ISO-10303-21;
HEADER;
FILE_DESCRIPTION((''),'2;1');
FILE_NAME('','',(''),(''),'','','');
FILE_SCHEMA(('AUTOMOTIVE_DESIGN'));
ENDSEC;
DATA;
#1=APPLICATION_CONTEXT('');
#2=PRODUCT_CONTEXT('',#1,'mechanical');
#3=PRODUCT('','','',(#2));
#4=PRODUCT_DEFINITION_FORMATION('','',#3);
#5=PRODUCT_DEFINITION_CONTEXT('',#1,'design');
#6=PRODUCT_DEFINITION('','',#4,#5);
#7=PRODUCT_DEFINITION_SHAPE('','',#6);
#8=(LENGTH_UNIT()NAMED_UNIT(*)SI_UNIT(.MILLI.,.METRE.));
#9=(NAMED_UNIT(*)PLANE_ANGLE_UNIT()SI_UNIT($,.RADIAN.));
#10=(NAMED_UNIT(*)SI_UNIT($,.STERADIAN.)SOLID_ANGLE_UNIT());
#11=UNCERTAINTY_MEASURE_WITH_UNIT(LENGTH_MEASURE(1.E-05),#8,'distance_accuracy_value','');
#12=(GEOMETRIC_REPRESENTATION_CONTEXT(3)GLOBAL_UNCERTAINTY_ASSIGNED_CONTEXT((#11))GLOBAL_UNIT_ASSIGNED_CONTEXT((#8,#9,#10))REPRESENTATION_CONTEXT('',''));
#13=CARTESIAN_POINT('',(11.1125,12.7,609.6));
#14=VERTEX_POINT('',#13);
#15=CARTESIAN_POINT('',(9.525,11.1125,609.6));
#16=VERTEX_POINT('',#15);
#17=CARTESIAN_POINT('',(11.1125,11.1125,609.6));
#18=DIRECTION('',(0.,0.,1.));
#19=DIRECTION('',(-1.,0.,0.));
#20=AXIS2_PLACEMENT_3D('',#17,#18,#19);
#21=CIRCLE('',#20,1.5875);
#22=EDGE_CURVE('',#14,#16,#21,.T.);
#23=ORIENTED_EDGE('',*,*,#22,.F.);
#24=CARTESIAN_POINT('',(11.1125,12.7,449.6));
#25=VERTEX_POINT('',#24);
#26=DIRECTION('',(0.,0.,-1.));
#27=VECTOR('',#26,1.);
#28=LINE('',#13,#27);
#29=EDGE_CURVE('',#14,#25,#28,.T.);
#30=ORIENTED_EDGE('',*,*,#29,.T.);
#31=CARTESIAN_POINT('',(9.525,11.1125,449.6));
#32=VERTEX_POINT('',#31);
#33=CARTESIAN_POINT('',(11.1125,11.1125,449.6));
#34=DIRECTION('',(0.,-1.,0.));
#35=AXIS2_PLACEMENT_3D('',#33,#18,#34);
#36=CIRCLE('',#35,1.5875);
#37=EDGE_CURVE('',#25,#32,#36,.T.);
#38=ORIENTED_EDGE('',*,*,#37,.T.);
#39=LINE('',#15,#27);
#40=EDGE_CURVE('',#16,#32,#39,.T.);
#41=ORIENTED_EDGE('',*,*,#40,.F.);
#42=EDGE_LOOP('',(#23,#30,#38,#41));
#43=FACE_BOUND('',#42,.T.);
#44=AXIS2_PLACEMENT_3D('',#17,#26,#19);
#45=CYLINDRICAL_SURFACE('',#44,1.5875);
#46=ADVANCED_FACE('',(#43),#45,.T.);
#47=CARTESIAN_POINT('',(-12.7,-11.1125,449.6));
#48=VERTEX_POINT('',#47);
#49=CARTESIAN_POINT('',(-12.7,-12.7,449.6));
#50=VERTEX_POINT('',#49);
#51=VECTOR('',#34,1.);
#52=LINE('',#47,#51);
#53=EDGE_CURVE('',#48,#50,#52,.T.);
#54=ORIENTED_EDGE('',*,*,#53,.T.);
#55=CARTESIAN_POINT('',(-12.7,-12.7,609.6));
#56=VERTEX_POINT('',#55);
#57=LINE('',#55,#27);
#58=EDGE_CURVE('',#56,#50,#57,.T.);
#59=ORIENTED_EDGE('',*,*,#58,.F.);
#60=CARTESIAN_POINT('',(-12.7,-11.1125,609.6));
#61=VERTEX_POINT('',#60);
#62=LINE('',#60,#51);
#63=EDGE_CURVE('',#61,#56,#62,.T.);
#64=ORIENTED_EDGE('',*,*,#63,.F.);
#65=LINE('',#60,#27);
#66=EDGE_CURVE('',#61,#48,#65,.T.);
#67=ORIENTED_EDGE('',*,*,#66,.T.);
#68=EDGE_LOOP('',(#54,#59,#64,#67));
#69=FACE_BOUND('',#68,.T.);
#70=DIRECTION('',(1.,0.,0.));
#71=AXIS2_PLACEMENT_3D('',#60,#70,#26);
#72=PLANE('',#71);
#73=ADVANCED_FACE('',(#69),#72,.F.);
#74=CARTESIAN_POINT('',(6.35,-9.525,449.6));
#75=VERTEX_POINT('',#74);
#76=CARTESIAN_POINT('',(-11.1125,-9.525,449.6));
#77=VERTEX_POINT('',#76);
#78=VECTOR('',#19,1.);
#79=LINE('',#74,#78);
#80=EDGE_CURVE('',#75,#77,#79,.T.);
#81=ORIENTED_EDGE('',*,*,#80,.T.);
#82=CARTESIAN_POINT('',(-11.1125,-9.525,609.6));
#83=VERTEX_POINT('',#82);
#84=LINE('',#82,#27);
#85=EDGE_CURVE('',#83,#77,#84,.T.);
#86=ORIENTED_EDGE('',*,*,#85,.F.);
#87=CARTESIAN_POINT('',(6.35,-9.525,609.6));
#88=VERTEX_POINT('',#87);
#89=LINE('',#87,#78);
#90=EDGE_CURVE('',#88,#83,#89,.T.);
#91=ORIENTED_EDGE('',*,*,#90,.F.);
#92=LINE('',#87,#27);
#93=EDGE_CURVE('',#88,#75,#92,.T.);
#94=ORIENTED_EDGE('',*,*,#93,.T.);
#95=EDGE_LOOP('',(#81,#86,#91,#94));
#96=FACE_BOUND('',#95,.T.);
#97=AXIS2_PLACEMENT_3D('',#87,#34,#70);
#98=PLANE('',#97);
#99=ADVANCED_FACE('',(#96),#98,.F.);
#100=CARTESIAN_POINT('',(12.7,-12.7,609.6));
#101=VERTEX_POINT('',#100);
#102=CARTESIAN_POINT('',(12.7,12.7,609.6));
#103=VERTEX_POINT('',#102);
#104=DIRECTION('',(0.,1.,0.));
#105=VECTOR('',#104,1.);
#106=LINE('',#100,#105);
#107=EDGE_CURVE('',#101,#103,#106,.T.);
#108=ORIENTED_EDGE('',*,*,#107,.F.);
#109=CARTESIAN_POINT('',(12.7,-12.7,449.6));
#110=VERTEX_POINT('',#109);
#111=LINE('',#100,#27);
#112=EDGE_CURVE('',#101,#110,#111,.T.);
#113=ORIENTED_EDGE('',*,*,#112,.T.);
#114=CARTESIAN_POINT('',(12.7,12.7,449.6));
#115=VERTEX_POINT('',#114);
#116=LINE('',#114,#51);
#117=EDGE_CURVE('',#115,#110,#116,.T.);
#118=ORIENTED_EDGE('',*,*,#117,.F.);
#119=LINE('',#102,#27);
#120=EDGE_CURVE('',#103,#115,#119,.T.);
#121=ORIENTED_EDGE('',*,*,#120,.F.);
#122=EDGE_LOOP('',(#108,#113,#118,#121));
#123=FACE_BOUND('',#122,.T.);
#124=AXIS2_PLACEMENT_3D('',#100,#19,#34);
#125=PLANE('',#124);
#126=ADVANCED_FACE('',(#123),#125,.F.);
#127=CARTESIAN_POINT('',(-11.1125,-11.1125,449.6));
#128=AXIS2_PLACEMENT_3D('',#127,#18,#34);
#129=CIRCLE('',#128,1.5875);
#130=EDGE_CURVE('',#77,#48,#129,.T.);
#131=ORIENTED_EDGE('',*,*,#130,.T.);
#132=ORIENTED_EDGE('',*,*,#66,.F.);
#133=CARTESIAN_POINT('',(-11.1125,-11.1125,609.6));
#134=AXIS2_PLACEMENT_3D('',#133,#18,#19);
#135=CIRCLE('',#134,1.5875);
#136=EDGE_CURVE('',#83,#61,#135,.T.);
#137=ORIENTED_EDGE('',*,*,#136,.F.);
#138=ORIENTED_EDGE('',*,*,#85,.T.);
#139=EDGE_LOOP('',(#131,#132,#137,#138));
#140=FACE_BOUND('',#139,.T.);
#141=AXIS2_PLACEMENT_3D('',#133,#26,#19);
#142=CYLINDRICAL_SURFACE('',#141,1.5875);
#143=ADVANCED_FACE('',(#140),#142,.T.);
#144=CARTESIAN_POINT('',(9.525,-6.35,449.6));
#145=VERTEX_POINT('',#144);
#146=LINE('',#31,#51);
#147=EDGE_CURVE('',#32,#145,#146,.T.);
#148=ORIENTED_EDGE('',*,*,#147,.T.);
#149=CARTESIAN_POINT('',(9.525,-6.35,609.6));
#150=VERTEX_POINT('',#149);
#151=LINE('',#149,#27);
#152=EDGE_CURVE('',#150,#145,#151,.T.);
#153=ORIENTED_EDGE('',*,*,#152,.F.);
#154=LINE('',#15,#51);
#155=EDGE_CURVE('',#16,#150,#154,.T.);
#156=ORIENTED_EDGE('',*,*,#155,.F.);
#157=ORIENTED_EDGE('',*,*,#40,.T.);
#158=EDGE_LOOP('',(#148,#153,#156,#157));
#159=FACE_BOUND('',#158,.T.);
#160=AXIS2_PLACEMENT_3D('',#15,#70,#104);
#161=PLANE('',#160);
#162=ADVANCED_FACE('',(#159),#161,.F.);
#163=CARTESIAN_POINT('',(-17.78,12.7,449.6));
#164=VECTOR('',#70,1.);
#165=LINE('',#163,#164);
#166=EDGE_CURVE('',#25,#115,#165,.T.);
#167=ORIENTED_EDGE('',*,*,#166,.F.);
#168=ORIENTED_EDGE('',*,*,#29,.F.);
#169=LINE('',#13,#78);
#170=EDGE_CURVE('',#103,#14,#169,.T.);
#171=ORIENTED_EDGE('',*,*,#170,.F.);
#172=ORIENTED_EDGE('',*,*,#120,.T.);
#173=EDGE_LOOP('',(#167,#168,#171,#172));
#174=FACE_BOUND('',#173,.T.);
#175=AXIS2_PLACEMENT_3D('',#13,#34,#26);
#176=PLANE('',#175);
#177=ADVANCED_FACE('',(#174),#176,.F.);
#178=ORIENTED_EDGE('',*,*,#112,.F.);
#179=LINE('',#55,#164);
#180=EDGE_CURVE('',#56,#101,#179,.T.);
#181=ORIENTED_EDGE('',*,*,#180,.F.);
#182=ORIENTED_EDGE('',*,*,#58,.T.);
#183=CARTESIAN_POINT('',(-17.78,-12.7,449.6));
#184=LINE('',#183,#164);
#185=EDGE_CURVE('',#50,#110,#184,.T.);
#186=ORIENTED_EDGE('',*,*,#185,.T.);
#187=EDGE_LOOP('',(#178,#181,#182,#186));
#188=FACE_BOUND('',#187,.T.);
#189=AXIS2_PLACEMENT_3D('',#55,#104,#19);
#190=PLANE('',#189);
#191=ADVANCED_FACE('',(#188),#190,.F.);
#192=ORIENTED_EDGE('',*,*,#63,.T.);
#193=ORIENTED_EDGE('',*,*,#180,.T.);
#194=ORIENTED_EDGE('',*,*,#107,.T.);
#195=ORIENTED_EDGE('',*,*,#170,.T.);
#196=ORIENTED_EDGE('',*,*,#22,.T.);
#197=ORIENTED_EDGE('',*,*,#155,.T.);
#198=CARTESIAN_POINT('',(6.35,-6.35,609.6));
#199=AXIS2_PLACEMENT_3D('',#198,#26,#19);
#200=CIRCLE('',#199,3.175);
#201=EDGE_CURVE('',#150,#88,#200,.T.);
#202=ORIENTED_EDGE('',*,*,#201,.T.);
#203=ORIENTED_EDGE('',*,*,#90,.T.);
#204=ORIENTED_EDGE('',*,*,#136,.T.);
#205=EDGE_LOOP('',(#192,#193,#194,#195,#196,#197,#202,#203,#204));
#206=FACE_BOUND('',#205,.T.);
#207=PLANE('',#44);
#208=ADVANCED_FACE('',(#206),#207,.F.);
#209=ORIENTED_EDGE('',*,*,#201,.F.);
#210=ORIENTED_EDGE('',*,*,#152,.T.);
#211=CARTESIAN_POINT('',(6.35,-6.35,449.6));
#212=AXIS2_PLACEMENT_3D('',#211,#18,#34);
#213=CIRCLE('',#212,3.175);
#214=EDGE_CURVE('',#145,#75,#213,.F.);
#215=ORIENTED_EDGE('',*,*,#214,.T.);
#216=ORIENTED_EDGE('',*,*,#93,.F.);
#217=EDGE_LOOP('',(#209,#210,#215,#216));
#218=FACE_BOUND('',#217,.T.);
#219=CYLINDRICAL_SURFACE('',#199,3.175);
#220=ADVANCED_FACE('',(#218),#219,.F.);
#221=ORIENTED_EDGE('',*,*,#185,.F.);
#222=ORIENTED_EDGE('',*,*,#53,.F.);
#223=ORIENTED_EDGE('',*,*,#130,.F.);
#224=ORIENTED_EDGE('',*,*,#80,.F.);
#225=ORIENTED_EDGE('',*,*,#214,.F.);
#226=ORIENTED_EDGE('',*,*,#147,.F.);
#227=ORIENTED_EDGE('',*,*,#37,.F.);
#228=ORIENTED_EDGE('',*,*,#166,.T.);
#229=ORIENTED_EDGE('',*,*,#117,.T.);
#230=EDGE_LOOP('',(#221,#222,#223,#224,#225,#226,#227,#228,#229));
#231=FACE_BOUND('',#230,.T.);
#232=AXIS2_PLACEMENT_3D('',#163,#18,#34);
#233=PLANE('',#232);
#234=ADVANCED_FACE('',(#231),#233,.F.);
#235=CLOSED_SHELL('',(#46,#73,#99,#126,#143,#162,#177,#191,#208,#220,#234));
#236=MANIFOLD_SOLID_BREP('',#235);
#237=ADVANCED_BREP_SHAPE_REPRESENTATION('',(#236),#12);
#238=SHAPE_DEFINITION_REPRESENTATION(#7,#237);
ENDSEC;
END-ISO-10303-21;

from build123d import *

# Parameters (mm, degrees)
BOSS_EXTRUDE1_DEPTH = 609.6
SKETCH3_W           = 1059.2
SKETCH3_H           = 25.4
CUT_EXTRUDE2_DEPTH  = 30.48


with BuildPart() as part:
    # Sketch2 → Boss-Extrude1 (new, symmetric)
    with BuildSketch(Plane.XY):
        with BuildLine():
            Line((-12.7, -12.7), (12.7, -12.7))
            Line((12.7, -12.7), (12.7, 12.7))
            Line((12.7, 12.7), (11.1125, 12.7))
            ThreePointArc((11.1125, 12.7), (9.989967985, 12.235032015), (9.525, 11.1125))
            Line((9.525, 11.1125), (9.525, -6.35))
            ThreePointArc((9.525, -6.35), (8.59506403, -8.59506403), (6.35, -9.525))
            Line((6.35, -9.525), (-11.1125, -9.525))
            ThreePointArc((-11.1125, -9.525), (-12.235032015, -9.989967985), (-12.7, -11.1125))
            Line((-12.7, -11.1125), (-12.7, -12.7))
        make_face()
    extrude(amount=BOSS_EXTRUDE1_DEPTH, both=True)

    # Sketch3 → Cut-Extrude2 (cut)
    with BuildSketch(Plane(origin=(12.7, 0, 0), x_dir=(0, 0, -1), z_dir=(1, 0, 0))):
        with Locations((80, 0)):
            Rectangle(SKETCH3_W, SKETCH3_H)
    extrude(amount=-CUT_EXTRUDE2_DEPTH, mode=Mode.SUBTRACT)


solid = part.part
